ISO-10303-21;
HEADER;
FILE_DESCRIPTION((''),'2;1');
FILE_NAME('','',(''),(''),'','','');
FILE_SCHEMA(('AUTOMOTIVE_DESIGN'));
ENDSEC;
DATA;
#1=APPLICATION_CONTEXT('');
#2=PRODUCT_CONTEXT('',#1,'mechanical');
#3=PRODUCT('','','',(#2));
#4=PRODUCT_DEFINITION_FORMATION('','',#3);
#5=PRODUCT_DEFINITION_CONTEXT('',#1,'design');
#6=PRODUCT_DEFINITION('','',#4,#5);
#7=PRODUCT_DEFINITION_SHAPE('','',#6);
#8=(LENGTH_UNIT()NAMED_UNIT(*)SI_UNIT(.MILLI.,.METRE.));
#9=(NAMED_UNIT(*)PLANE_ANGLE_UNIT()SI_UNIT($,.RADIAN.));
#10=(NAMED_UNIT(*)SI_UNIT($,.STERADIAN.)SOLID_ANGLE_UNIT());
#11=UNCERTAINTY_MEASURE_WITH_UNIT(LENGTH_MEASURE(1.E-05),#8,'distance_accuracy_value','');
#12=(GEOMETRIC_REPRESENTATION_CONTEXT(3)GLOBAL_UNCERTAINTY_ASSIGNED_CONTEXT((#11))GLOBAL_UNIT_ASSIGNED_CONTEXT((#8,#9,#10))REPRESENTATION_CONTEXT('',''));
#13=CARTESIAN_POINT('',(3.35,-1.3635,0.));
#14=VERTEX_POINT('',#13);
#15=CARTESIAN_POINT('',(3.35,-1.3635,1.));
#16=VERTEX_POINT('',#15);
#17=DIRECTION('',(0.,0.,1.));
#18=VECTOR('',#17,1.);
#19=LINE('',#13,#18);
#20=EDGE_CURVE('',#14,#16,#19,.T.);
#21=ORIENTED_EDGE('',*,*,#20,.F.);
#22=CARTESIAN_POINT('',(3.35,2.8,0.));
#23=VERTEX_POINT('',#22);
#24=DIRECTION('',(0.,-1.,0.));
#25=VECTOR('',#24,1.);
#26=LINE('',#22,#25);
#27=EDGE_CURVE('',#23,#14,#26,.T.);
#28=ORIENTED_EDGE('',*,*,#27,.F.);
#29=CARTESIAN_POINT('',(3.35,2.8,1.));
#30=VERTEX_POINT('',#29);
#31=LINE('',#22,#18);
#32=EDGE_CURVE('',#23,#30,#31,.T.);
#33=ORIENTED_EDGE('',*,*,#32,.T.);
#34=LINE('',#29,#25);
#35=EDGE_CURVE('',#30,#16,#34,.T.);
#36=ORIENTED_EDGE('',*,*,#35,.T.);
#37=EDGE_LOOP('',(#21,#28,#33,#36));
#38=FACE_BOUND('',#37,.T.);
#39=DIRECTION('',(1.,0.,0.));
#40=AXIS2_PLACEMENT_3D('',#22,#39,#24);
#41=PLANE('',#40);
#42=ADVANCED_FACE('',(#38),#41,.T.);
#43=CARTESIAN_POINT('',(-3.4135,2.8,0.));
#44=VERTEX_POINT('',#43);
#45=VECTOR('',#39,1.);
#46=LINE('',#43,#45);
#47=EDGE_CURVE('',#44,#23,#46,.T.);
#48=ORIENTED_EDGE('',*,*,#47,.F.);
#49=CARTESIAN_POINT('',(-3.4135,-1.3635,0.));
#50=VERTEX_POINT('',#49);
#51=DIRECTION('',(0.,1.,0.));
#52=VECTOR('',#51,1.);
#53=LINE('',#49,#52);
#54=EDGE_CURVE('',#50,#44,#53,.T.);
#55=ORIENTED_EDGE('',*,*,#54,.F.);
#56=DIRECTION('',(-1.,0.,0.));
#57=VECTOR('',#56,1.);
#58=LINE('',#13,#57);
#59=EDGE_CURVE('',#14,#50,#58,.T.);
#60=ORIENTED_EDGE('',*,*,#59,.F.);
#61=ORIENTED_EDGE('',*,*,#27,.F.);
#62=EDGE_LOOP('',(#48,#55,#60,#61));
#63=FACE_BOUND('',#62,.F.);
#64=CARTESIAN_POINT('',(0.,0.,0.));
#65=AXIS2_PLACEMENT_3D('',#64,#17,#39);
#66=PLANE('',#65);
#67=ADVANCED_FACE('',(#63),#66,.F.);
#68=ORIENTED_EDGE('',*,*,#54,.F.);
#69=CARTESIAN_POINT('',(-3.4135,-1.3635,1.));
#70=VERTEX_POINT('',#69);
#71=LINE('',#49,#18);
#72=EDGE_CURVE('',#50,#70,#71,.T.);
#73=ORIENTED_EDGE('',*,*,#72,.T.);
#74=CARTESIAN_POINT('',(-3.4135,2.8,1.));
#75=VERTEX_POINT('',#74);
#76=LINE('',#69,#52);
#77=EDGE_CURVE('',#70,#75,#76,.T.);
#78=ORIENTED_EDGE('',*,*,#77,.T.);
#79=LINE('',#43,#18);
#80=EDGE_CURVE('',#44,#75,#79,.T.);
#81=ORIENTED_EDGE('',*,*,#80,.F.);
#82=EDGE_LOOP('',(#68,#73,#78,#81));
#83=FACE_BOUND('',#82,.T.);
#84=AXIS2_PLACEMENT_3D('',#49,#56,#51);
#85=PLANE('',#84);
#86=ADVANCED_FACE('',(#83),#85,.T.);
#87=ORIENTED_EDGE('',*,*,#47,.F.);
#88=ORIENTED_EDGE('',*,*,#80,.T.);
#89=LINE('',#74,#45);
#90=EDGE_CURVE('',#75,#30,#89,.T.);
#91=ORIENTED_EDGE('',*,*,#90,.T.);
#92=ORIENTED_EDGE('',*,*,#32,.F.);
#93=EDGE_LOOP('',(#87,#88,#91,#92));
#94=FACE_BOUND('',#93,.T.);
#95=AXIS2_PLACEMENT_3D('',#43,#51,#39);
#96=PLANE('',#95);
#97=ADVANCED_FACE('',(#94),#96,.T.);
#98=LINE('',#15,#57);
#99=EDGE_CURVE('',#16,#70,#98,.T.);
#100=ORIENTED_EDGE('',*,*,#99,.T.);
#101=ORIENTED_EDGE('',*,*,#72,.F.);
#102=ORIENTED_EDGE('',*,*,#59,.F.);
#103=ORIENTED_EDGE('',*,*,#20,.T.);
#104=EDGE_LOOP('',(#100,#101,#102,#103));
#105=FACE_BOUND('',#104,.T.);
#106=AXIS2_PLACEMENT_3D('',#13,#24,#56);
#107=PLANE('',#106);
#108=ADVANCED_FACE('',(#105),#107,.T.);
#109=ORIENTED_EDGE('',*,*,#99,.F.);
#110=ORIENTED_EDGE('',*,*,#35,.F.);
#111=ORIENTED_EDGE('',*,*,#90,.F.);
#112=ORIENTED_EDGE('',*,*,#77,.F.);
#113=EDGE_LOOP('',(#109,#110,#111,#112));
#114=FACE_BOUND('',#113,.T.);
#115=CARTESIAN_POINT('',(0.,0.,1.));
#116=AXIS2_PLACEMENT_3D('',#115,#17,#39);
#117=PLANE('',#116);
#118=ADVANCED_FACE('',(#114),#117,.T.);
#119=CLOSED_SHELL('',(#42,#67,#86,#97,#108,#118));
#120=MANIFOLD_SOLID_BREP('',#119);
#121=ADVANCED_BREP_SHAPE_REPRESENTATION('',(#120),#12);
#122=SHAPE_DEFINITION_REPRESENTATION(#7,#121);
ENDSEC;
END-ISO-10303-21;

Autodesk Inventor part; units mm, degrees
ref_plane "YZ Plane" through (0, 0, 0) normal (1, 0, 0) x (0, 1, 0)
ref_plane "XZ Plane" through (0, 0, 0) normal (0, 1, 0) x (-1, 0, 0)
ref_plane "XY Plane" through (0, 0, 0) normal (0, 0, 1) x (1, 0, 0)
sketch "SWITCH-SPST-SMD-A, SELECT_49" plane through (0, 0, 0) normal (0, 0, 1) x (1, 0, 0)
  line L0 (-3.4135, 2.8) -> (3.35, 2.8)
  line L1 (3.35, 2.8) -> (3.35, -1.3635)
  line L2 (3.35, -1.3635) -> (-3.4135, -1.3635)
  line L3 (-3.4135, -1.3635) -> (-3.4135, 2.8)
extrude "Extrusion1" add sketch "SWITCH-SPST-SMD-A, SELECT_49" along normal blind 1
properties part number "SELECT"
